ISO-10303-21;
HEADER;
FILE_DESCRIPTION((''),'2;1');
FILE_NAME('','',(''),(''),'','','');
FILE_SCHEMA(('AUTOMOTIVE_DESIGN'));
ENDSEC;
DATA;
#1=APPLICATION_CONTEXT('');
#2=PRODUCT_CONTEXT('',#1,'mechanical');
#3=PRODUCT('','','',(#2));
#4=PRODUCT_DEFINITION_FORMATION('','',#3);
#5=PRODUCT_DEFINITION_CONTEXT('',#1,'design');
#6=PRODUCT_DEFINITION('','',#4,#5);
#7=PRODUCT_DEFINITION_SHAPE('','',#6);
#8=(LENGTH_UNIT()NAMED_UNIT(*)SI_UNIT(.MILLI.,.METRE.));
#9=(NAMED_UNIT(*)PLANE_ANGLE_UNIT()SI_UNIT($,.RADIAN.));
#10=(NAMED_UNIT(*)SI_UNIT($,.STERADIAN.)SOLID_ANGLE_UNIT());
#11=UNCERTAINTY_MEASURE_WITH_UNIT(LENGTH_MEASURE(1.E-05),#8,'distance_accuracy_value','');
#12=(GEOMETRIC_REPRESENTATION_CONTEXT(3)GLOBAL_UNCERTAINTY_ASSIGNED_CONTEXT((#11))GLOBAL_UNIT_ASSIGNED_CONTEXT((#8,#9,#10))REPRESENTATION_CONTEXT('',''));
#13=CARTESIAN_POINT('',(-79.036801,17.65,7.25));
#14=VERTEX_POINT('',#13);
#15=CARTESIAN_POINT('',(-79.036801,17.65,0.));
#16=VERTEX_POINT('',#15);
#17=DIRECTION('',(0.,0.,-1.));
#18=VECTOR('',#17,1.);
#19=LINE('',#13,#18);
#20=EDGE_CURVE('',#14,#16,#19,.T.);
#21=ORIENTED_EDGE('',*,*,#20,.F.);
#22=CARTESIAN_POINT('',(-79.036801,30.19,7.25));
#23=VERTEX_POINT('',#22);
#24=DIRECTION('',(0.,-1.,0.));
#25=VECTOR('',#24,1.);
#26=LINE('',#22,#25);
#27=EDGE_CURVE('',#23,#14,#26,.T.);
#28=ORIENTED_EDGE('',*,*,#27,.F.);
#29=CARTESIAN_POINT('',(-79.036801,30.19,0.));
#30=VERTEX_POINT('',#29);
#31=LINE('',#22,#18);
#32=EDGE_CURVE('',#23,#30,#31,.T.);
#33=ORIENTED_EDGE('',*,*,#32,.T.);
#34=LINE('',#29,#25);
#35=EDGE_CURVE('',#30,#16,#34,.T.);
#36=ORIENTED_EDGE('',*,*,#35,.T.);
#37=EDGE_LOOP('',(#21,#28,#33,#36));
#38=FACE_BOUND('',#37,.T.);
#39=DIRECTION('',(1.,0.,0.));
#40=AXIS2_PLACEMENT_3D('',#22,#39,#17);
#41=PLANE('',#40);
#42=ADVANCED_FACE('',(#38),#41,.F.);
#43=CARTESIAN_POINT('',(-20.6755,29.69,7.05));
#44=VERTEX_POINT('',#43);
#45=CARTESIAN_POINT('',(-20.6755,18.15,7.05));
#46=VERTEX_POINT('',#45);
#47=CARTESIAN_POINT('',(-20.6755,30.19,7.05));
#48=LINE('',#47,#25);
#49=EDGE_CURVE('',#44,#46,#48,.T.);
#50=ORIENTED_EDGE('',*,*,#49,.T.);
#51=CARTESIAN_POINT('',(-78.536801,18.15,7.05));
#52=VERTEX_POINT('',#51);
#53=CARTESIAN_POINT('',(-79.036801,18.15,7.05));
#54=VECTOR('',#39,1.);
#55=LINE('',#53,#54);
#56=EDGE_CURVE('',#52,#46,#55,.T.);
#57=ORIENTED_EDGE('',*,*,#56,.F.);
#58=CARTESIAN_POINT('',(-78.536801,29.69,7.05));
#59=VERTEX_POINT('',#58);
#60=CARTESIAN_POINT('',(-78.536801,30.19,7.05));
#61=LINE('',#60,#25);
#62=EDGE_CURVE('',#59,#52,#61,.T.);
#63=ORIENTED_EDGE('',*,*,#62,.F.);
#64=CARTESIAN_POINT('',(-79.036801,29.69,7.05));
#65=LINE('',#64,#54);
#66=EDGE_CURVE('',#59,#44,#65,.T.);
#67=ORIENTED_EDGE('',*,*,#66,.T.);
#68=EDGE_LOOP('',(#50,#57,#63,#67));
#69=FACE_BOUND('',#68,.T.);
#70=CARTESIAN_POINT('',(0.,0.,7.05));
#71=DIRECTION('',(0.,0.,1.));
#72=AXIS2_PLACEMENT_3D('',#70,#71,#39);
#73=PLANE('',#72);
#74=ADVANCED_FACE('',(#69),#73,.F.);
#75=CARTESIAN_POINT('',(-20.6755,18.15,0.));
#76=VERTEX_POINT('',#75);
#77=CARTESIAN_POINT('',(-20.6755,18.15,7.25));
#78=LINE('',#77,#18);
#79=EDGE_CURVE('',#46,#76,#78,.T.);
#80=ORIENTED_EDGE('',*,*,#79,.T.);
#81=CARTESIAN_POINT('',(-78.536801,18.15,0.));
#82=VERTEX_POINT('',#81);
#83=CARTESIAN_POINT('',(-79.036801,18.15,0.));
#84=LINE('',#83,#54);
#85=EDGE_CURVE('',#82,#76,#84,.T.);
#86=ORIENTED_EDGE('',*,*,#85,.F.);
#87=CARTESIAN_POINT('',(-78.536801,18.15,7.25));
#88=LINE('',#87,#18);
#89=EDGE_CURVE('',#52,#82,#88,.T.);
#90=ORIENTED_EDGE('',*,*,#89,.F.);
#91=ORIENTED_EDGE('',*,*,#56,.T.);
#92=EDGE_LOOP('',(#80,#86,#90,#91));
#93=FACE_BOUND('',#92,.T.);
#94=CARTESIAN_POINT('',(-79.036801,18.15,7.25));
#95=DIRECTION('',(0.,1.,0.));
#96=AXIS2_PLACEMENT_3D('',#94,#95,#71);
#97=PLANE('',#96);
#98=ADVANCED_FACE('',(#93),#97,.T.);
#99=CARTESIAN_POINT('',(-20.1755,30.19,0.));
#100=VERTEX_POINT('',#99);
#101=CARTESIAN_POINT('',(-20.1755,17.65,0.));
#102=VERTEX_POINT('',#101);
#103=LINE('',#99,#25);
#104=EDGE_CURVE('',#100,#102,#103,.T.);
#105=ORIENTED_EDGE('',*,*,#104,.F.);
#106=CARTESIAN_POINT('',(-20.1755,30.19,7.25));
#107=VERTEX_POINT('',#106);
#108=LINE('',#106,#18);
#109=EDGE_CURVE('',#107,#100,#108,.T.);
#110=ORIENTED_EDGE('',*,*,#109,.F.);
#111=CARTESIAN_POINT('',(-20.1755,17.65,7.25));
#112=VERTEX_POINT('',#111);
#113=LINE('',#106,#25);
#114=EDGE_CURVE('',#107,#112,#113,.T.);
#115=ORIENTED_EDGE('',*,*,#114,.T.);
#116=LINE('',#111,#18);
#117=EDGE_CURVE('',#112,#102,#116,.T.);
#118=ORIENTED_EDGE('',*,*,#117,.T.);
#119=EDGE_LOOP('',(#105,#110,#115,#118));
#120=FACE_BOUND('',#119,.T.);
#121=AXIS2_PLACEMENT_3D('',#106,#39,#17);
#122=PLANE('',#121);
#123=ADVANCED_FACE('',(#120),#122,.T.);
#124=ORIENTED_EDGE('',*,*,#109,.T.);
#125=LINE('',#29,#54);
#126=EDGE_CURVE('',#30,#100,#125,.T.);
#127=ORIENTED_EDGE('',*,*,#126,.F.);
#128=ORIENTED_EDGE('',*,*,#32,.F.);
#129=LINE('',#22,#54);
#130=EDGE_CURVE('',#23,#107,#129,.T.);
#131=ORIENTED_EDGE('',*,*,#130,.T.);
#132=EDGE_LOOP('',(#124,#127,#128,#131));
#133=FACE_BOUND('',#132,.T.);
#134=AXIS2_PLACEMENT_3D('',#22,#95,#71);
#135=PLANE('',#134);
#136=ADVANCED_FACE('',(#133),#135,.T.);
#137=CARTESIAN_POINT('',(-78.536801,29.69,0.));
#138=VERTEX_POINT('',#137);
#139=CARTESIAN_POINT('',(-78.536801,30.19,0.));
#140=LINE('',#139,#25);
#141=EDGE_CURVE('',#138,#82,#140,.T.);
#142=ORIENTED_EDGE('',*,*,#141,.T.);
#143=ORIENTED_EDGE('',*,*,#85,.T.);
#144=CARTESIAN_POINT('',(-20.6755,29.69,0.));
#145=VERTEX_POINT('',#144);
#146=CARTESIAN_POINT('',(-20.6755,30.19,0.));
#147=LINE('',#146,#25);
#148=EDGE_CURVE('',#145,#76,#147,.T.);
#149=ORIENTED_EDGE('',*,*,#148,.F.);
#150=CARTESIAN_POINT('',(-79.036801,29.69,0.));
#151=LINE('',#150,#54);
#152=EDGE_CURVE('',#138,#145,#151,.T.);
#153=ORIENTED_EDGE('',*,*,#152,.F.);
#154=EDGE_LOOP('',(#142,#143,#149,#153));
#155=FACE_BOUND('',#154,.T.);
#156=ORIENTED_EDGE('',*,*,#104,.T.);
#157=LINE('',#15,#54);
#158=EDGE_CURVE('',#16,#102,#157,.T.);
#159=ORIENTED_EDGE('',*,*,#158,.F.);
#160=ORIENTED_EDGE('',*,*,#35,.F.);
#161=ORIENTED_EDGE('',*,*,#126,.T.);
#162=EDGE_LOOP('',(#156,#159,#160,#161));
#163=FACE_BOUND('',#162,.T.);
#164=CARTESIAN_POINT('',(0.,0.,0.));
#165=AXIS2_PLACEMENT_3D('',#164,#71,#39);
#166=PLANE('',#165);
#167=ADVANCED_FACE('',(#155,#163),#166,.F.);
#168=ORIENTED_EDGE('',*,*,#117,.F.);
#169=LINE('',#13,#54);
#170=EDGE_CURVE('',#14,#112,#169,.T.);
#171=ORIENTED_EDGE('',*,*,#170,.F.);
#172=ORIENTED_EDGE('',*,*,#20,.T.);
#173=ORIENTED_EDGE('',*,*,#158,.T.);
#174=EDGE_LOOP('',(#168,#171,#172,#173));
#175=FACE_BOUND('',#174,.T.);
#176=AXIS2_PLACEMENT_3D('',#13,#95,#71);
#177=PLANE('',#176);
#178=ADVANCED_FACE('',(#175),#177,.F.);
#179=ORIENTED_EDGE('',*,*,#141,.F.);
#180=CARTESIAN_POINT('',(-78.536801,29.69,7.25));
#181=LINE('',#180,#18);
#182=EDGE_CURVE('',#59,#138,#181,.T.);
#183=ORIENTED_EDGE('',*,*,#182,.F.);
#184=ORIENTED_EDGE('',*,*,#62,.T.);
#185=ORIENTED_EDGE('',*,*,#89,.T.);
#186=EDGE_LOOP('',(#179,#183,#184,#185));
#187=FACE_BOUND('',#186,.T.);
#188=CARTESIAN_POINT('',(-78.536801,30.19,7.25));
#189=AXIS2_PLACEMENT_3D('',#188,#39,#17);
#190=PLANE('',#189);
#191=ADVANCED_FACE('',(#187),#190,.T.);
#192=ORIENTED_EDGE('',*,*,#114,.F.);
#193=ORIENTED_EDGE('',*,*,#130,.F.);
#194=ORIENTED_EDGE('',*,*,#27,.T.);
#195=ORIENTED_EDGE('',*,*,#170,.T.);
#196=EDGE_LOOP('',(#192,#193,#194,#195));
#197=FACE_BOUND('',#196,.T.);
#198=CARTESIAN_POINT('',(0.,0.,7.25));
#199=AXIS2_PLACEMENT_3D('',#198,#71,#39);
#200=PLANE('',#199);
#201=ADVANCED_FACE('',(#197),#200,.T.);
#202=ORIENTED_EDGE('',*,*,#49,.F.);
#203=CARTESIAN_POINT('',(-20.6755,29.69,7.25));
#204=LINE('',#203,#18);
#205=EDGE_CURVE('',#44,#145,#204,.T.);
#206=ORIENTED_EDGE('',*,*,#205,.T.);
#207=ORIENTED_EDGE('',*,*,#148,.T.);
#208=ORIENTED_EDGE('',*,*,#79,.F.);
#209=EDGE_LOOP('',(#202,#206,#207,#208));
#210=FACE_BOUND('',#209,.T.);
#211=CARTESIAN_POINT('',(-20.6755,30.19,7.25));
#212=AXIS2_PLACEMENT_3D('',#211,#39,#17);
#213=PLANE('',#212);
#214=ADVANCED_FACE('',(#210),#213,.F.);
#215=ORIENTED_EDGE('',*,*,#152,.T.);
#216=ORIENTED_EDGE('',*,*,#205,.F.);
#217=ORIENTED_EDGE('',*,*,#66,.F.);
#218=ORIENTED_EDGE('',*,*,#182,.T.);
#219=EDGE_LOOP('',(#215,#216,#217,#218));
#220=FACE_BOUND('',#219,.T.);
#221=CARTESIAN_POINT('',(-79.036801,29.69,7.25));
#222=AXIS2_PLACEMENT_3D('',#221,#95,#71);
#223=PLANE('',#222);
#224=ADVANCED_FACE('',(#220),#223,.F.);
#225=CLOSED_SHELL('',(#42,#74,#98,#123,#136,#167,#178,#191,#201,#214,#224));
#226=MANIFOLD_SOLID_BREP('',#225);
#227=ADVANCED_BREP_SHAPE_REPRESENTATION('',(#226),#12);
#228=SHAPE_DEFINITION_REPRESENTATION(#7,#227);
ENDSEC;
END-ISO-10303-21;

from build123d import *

# Parameters (mm, degrees)
SKETCH1_W                 = 58.86130149
SKETCH1_H                 = 12.54
BOSS_EXTRUDE1_DEPTH       = 7.25
SHELL1_T                  = -0.5
SHELL1_THICKNESS_2_FACE_W = 57.86130149
SHELL1_THICKNESS_2_FACE_H = 11.54
SHELL1_THICKNESS_2_DEPTH  = 0.3


with BuildPart() as part:
    # Sketch1 → Boss-Extrude1 (new body)
    with BuildSketch(Plane.XY):
        with Locations((-49.606150745, 23.92)):
            Rectangle(SKETCH1_W, SKETCH1_H)
    extrude(amount=BOSS_EXTRUDE1_DEPTH)

    # Shell1
    shell1_openings = [part.faces().sort_by_distance(p)[0] for p in [
        (-49.606150745, 23.92, 0),
    ]]
    offset(amount=SHELL1_T, openings=shell1_openings, kind=Kind.INTERSECTION)

    # Shell1 thickness 2 face (on inner face of the shell) → Shell1 thickness 2 (cut)
    with BuildSketch(Plane(origin=(-49.606150745, 23.92, 6.75), x_dir=(1, 0, 0), z_dir=(0, 0, 1))):
        Rectangle(SHELL1_THICKNESS_2_FACE_W, SHELL1_THICKNESS_2_FACE_H)
    extrude(amount=SHELL1_THICKNESS_2_DEPTH, mode=Mode.SUBTRACT)


solid = part.part
